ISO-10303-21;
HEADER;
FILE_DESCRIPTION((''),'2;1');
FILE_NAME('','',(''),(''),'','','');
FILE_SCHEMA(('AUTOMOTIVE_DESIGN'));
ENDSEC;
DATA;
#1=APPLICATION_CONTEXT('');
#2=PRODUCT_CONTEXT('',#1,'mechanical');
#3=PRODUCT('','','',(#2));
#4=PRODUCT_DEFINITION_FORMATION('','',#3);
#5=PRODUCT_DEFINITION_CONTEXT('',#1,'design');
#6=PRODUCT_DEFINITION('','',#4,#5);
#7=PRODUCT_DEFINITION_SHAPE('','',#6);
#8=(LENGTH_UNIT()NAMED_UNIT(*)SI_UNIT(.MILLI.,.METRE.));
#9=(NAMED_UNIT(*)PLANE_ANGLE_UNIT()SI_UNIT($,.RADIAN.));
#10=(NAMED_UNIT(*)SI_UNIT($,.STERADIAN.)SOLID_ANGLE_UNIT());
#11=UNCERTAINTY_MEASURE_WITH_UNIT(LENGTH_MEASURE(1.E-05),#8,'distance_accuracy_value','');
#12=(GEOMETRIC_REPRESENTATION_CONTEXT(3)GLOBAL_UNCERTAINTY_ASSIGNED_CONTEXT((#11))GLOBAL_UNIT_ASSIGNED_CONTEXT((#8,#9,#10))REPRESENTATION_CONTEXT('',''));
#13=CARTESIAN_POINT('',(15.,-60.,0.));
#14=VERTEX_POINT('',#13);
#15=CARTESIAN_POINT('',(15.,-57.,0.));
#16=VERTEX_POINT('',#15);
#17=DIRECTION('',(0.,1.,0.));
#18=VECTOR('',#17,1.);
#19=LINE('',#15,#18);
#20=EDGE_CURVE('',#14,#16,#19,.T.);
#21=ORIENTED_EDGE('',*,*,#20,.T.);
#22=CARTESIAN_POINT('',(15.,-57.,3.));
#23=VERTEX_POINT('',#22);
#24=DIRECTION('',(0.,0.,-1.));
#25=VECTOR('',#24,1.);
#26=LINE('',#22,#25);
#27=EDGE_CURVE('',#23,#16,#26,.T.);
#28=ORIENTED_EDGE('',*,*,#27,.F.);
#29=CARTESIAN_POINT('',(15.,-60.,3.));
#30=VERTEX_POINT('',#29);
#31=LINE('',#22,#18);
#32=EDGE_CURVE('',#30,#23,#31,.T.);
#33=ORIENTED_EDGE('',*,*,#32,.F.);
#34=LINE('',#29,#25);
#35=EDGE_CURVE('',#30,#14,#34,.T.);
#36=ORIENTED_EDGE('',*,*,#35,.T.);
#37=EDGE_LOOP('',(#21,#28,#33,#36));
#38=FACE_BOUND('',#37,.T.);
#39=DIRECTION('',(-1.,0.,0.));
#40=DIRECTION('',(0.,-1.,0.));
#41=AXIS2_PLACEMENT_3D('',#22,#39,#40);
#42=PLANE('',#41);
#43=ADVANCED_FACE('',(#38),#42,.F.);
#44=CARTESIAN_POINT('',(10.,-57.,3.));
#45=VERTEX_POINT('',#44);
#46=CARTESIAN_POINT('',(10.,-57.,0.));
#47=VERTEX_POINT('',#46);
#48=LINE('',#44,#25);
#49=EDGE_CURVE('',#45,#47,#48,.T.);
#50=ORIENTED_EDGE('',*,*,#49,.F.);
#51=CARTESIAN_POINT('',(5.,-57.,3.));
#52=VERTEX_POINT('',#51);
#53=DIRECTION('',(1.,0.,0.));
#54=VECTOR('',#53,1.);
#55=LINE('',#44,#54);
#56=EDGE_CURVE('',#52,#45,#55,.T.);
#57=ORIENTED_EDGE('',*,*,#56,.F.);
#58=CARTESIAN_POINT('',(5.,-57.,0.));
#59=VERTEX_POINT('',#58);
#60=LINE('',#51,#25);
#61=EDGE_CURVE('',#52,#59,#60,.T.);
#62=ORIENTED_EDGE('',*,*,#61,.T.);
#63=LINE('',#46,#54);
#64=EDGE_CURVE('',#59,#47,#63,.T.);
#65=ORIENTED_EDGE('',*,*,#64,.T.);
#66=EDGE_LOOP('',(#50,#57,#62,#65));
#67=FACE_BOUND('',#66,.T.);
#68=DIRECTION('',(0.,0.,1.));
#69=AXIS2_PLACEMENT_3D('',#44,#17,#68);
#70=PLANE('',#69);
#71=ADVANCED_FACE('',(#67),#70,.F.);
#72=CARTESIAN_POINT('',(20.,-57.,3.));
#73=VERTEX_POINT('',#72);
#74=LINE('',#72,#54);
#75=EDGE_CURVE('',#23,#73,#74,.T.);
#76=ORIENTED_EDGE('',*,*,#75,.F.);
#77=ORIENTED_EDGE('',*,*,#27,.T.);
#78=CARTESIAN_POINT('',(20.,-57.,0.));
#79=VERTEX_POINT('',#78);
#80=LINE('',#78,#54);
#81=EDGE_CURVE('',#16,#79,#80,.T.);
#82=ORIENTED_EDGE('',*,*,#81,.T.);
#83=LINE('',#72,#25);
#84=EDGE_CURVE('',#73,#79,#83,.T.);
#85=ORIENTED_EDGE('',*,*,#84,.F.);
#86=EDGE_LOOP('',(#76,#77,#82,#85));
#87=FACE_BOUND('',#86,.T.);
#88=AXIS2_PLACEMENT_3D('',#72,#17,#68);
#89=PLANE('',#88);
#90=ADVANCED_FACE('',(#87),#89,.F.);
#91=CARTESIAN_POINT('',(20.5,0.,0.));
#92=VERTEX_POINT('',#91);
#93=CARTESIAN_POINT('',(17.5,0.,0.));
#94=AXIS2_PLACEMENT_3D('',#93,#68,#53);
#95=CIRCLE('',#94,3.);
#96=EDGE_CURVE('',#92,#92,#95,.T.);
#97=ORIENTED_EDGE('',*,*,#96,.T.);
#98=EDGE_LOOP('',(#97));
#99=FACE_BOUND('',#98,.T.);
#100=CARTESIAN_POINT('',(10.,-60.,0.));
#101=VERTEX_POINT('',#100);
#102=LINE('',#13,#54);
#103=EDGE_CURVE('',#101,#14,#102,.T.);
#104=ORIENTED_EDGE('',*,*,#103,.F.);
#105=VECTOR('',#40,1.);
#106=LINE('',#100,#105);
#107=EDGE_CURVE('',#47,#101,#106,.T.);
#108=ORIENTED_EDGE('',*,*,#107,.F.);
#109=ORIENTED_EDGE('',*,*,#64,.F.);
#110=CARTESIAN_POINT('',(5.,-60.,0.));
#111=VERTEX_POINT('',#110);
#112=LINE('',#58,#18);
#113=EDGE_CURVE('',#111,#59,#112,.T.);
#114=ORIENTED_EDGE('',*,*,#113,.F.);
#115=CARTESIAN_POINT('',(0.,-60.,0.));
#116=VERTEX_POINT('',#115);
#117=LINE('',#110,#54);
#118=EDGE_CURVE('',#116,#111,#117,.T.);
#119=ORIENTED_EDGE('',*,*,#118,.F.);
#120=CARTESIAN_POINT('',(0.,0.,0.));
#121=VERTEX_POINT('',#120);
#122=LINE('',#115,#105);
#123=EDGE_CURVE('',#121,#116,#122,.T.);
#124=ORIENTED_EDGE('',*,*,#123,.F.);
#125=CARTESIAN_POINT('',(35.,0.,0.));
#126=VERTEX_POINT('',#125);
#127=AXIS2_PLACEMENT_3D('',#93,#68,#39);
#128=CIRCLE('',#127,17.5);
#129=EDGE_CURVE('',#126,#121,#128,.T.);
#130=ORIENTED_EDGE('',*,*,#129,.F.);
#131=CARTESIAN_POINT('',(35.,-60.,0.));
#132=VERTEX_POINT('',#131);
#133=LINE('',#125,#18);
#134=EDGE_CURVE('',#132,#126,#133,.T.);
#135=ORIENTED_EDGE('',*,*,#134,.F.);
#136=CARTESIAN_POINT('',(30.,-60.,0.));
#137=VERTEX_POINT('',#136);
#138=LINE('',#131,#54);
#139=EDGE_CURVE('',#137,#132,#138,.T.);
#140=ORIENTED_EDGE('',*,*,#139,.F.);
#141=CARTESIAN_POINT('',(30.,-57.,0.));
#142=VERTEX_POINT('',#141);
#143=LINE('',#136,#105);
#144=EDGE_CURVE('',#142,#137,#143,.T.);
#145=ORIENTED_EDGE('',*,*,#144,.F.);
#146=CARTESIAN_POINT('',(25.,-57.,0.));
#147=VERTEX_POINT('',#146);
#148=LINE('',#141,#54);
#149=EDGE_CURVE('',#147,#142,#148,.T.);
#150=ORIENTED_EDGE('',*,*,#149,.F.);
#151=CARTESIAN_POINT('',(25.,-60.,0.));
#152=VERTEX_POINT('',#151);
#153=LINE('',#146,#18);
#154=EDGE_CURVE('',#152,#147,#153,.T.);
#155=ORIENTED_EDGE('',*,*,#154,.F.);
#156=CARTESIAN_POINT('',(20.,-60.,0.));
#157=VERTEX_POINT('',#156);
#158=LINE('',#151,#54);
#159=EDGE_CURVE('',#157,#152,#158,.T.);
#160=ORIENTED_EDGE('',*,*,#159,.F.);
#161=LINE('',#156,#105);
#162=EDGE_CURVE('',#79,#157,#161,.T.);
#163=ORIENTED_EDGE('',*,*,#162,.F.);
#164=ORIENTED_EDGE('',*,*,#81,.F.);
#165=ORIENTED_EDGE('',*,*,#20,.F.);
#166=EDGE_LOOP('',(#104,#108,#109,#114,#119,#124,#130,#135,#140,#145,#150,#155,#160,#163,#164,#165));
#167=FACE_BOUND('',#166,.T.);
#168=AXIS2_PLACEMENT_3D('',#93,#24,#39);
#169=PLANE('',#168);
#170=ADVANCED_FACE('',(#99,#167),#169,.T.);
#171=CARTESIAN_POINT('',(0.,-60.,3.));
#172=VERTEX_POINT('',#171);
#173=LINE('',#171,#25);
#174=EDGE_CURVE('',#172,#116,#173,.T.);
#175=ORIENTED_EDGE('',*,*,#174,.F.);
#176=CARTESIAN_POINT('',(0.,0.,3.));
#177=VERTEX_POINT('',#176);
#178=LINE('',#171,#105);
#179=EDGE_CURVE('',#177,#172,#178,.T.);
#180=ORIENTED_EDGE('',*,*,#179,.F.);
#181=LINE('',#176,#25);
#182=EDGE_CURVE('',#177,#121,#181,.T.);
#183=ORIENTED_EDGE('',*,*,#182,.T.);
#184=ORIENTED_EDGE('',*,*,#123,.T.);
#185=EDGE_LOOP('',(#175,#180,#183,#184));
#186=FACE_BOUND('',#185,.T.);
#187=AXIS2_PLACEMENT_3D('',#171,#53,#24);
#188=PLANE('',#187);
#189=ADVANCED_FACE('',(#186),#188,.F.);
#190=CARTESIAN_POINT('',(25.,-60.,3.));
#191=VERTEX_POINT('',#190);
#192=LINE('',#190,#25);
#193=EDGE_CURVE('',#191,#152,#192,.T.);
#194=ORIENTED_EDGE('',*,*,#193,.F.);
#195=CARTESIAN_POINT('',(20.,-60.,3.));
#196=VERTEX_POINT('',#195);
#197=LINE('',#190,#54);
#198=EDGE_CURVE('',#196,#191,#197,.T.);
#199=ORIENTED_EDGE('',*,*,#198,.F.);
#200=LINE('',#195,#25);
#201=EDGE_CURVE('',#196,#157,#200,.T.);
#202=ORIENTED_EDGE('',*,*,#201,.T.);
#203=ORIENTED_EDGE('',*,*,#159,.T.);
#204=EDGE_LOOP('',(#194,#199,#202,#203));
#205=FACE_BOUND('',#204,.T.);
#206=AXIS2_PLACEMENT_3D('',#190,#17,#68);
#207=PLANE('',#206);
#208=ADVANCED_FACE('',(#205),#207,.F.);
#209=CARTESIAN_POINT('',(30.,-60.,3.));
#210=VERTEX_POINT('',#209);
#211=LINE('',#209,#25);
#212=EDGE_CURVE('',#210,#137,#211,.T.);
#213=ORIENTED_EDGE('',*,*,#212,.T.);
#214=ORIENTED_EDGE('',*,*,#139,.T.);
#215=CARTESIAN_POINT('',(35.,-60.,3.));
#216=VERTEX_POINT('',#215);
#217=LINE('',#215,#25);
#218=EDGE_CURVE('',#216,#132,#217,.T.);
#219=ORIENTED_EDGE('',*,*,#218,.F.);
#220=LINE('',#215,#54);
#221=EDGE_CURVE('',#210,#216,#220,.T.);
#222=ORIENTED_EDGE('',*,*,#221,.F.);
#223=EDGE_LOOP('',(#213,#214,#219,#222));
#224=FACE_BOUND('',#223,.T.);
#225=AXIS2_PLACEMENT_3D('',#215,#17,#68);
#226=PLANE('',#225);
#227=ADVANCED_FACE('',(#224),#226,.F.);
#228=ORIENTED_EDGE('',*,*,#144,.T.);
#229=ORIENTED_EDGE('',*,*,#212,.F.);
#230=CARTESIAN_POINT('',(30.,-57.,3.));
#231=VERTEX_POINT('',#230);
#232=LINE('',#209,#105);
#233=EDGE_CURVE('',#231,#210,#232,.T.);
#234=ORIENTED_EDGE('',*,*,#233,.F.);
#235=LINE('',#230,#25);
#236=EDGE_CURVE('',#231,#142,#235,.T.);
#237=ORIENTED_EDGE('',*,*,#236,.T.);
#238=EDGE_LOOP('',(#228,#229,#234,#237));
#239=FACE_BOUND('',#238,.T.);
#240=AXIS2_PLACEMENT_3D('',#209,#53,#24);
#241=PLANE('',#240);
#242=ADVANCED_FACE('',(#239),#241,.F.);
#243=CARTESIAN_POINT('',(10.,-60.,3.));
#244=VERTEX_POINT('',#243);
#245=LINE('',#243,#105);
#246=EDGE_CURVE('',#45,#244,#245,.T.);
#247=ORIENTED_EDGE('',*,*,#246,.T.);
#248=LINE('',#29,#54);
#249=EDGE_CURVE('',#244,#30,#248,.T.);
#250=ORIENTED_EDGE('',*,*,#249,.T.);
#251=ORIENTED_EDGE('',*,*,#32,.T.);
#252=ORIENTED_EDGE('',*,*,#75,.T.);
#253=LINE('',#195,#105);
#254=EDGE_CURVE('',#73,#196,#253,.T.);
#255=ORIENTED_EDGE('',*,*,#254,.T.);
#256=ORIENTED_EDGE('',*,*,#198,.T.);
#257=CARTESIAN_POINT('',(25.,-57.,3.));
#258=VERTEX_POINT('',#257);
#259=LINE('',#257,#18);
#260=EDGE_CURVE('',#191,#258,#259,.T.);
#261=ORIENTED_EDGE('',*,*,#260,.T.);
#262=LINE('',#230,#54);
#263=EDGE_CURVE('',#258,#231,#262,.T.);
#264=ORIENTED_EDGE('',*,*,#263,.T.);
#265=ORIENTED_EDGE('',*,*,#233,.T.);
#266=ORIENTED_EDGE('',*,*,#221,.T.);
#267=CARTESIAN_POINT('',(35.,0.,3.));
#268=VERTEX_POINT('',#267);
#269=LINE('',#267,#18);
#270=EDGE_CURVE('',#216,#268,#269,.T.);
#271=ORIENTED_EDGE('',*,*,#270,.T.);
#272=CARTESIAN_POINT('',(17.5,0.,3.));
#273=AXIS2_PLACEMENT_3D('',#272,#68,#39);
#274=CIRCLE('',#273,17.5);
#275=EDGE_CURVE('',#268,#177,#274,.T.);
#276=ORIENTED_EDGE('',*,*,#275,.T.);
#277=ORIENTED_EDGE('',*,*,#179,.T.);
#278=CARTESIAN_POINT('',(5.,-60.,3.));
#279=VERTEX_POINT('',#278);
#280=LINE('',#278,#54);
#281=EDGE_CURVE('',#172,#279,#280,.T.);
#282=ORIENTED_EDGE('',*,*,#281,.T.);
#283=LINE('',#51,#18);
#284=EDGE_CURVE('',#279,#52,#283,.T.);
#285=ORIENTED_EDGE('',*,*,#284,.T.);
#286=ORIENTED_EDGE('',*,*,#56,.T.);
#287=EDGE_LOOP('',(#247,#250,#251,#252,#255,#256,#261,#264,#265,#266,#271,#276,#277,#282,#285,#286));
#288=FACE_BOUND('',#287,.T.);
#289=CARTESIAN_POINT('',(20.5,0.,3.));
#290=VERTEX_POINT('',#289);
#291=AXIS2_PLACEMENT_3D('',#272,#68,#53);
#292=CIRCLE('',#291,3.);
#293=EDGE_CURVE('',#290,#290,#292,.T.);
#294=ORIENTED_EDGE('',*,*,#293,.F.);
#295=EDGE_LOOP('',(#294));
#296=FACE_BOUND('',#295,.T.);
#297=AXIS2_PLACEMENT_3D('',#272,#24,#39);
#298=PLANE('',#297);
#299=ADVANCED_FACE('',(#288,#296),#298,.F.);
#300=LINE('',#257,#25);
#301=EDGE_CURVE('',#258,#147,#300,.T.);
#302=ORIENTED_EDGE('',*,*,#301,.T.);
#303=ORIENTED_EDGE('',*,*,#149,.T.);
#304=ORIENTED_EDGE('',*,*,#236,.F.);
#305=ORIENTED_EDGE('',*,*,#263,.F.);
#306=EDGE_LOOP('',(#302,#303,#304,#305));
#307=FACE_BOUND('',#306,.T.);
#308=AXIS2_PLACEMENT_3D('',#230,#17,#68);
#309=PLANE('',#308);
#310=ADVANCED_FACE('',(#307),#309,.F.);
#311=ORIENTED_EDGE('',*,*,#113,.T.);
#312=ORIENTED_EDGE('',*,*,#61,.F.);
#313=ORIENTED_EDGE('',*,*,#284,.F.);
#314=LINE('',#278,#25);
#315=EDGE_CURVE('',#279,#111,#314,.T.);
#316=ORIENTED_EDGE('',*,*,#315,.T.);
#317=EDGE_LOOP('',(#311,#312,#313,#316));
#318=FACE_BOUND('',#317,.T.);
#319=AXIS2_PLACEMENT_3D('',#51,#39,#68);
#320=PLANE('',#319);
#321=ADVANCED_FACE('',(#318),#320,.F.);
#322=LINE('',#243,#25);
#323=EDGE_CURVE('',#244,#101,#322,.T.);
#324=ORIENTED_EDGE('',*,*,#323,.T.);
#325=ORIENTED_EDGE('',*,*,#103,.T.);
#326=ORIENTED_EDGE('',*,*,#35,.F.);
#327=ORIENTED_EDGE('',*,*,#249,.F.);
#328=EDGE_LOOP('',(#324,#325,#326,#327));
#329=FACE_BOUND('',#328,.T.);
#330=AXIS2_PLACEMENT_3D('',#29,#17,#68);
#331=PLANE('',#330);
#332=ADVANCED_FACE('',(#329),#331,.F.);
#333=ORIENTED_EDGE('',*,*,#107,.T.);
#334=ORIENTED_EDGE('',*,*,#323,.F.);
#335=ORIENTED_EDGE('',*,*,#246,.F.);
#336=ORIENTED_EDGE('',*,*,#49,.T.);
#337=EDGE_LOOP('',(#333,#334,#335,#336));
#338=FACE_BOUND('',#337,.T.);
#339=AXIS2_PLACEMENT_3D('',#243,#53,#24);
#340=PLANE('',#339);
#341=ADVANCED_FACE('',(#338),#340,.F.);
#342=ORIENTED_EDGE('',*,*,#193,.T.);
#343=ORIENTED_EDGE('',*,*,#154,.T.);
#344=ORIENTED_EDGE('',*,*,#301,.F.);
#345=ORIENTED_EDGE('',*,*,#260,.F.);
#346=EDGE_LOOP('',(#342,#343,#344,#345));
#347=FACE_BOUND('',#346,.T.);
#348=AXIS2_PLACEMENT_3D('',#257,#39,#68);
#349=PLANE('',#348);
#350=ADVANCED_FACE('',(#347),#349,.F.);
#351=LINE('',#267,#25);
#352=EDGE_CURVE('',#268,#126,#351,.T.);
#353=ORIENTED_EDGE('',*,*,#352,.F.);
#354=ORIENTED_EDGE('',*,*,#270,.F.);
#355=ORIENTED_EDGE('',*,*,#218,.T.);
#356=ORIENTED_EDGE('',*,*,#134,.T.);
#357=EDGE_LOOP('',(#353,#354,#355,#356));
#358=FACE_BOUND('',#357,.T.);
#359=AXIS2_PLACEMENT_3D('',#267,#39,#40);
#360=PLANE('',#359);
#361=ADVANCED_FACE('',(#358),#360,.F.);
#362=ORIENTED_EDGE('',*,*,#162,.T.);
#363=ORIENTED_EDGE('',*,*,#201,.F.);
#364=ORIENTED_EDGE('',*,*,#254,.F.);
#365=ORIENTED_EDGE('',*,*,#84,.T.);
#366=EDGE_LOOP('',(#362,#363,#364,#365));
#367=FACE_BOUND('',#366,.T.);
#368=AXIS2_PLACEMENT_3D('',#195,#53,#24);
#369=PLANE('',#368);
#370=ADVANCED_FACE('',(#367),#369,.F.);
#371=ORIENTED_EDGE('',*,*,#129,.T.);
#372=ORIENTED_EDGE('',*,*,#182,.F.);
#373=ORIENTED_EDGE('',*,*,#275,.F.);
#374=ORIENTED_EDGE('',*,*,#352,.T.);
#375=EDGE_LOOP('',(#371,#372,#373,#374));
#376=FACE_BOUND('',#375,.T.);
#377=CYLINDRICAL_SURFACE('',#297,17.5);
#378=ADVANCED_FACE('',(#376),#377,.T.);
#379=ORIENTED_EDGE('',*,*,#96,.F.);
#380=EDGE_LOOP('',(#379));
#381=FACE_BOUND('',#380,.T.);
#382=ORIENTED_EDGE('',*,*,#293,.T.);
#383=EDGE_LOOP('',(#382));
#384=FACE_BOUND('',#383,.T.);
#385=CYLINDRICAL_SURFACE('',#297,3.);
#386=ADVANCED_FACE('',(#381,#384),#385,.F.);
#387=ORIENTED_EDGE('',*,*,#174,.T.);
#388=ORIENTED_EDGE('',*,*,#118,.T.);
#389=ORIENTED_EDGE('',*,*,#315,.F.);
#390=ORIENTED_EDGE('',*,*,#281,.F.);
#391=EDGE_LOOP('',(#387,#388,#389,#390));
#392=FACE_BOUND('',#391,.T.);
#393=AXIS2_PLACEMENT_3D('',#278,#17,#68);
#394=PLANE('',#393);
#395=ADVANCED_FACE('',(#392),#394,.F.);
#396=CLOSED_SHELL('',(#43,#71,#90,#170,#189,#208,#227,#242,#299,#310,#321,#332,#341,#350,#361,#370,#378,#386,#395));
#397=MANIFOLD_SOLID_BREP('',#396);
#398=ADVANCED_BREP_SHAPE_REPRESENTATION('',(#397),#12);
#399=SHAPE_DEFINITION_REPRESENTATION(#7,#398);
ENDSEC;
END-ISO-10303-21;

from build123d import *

# Parameters (mm, degrees)
CROQUIS1_R              = 3
SALIENTE_EXTRUIR1_DEPTH = 3


with BuildPart() as part:
    # Croquis1 → Saliente-Extruir1 (new body)
    with BuildSketch(Plane.XY):
        with BuildLine():
            Line((0, -60), (0, 0))
            ThreePointArc((0, 0), (17.5, 17.5), (35, 0))
            Line((35, 0), (35, -60))
            Line((35, -60), (30, -60))
            Line((30, -60), (30, -57))
            Line((30, -57), (25, -57))
            Line((25, -57), (25, -60))
            Line((25, -60), (20, -60))
            Line((20, -60), (20, -57))
            Line((20, -57), (15, -57))
            Line((15, -57), (15, -60))
            Line((15, -60), (10, -60))
            Line((10, -60), (10, -57))
            Line((10, -57), (5, -57))
            Line((5, -57), (5, -60))
            Line((5, -60), (0, -60))
        make_face()
        with Locations((17.5, 0)):
            Circle(CROQUIS1_R, mode=Mode.SUBTRACT)
    extrude(amount=SALIENTE_EXTRUIR1_DEPTH)


solid = part.part
